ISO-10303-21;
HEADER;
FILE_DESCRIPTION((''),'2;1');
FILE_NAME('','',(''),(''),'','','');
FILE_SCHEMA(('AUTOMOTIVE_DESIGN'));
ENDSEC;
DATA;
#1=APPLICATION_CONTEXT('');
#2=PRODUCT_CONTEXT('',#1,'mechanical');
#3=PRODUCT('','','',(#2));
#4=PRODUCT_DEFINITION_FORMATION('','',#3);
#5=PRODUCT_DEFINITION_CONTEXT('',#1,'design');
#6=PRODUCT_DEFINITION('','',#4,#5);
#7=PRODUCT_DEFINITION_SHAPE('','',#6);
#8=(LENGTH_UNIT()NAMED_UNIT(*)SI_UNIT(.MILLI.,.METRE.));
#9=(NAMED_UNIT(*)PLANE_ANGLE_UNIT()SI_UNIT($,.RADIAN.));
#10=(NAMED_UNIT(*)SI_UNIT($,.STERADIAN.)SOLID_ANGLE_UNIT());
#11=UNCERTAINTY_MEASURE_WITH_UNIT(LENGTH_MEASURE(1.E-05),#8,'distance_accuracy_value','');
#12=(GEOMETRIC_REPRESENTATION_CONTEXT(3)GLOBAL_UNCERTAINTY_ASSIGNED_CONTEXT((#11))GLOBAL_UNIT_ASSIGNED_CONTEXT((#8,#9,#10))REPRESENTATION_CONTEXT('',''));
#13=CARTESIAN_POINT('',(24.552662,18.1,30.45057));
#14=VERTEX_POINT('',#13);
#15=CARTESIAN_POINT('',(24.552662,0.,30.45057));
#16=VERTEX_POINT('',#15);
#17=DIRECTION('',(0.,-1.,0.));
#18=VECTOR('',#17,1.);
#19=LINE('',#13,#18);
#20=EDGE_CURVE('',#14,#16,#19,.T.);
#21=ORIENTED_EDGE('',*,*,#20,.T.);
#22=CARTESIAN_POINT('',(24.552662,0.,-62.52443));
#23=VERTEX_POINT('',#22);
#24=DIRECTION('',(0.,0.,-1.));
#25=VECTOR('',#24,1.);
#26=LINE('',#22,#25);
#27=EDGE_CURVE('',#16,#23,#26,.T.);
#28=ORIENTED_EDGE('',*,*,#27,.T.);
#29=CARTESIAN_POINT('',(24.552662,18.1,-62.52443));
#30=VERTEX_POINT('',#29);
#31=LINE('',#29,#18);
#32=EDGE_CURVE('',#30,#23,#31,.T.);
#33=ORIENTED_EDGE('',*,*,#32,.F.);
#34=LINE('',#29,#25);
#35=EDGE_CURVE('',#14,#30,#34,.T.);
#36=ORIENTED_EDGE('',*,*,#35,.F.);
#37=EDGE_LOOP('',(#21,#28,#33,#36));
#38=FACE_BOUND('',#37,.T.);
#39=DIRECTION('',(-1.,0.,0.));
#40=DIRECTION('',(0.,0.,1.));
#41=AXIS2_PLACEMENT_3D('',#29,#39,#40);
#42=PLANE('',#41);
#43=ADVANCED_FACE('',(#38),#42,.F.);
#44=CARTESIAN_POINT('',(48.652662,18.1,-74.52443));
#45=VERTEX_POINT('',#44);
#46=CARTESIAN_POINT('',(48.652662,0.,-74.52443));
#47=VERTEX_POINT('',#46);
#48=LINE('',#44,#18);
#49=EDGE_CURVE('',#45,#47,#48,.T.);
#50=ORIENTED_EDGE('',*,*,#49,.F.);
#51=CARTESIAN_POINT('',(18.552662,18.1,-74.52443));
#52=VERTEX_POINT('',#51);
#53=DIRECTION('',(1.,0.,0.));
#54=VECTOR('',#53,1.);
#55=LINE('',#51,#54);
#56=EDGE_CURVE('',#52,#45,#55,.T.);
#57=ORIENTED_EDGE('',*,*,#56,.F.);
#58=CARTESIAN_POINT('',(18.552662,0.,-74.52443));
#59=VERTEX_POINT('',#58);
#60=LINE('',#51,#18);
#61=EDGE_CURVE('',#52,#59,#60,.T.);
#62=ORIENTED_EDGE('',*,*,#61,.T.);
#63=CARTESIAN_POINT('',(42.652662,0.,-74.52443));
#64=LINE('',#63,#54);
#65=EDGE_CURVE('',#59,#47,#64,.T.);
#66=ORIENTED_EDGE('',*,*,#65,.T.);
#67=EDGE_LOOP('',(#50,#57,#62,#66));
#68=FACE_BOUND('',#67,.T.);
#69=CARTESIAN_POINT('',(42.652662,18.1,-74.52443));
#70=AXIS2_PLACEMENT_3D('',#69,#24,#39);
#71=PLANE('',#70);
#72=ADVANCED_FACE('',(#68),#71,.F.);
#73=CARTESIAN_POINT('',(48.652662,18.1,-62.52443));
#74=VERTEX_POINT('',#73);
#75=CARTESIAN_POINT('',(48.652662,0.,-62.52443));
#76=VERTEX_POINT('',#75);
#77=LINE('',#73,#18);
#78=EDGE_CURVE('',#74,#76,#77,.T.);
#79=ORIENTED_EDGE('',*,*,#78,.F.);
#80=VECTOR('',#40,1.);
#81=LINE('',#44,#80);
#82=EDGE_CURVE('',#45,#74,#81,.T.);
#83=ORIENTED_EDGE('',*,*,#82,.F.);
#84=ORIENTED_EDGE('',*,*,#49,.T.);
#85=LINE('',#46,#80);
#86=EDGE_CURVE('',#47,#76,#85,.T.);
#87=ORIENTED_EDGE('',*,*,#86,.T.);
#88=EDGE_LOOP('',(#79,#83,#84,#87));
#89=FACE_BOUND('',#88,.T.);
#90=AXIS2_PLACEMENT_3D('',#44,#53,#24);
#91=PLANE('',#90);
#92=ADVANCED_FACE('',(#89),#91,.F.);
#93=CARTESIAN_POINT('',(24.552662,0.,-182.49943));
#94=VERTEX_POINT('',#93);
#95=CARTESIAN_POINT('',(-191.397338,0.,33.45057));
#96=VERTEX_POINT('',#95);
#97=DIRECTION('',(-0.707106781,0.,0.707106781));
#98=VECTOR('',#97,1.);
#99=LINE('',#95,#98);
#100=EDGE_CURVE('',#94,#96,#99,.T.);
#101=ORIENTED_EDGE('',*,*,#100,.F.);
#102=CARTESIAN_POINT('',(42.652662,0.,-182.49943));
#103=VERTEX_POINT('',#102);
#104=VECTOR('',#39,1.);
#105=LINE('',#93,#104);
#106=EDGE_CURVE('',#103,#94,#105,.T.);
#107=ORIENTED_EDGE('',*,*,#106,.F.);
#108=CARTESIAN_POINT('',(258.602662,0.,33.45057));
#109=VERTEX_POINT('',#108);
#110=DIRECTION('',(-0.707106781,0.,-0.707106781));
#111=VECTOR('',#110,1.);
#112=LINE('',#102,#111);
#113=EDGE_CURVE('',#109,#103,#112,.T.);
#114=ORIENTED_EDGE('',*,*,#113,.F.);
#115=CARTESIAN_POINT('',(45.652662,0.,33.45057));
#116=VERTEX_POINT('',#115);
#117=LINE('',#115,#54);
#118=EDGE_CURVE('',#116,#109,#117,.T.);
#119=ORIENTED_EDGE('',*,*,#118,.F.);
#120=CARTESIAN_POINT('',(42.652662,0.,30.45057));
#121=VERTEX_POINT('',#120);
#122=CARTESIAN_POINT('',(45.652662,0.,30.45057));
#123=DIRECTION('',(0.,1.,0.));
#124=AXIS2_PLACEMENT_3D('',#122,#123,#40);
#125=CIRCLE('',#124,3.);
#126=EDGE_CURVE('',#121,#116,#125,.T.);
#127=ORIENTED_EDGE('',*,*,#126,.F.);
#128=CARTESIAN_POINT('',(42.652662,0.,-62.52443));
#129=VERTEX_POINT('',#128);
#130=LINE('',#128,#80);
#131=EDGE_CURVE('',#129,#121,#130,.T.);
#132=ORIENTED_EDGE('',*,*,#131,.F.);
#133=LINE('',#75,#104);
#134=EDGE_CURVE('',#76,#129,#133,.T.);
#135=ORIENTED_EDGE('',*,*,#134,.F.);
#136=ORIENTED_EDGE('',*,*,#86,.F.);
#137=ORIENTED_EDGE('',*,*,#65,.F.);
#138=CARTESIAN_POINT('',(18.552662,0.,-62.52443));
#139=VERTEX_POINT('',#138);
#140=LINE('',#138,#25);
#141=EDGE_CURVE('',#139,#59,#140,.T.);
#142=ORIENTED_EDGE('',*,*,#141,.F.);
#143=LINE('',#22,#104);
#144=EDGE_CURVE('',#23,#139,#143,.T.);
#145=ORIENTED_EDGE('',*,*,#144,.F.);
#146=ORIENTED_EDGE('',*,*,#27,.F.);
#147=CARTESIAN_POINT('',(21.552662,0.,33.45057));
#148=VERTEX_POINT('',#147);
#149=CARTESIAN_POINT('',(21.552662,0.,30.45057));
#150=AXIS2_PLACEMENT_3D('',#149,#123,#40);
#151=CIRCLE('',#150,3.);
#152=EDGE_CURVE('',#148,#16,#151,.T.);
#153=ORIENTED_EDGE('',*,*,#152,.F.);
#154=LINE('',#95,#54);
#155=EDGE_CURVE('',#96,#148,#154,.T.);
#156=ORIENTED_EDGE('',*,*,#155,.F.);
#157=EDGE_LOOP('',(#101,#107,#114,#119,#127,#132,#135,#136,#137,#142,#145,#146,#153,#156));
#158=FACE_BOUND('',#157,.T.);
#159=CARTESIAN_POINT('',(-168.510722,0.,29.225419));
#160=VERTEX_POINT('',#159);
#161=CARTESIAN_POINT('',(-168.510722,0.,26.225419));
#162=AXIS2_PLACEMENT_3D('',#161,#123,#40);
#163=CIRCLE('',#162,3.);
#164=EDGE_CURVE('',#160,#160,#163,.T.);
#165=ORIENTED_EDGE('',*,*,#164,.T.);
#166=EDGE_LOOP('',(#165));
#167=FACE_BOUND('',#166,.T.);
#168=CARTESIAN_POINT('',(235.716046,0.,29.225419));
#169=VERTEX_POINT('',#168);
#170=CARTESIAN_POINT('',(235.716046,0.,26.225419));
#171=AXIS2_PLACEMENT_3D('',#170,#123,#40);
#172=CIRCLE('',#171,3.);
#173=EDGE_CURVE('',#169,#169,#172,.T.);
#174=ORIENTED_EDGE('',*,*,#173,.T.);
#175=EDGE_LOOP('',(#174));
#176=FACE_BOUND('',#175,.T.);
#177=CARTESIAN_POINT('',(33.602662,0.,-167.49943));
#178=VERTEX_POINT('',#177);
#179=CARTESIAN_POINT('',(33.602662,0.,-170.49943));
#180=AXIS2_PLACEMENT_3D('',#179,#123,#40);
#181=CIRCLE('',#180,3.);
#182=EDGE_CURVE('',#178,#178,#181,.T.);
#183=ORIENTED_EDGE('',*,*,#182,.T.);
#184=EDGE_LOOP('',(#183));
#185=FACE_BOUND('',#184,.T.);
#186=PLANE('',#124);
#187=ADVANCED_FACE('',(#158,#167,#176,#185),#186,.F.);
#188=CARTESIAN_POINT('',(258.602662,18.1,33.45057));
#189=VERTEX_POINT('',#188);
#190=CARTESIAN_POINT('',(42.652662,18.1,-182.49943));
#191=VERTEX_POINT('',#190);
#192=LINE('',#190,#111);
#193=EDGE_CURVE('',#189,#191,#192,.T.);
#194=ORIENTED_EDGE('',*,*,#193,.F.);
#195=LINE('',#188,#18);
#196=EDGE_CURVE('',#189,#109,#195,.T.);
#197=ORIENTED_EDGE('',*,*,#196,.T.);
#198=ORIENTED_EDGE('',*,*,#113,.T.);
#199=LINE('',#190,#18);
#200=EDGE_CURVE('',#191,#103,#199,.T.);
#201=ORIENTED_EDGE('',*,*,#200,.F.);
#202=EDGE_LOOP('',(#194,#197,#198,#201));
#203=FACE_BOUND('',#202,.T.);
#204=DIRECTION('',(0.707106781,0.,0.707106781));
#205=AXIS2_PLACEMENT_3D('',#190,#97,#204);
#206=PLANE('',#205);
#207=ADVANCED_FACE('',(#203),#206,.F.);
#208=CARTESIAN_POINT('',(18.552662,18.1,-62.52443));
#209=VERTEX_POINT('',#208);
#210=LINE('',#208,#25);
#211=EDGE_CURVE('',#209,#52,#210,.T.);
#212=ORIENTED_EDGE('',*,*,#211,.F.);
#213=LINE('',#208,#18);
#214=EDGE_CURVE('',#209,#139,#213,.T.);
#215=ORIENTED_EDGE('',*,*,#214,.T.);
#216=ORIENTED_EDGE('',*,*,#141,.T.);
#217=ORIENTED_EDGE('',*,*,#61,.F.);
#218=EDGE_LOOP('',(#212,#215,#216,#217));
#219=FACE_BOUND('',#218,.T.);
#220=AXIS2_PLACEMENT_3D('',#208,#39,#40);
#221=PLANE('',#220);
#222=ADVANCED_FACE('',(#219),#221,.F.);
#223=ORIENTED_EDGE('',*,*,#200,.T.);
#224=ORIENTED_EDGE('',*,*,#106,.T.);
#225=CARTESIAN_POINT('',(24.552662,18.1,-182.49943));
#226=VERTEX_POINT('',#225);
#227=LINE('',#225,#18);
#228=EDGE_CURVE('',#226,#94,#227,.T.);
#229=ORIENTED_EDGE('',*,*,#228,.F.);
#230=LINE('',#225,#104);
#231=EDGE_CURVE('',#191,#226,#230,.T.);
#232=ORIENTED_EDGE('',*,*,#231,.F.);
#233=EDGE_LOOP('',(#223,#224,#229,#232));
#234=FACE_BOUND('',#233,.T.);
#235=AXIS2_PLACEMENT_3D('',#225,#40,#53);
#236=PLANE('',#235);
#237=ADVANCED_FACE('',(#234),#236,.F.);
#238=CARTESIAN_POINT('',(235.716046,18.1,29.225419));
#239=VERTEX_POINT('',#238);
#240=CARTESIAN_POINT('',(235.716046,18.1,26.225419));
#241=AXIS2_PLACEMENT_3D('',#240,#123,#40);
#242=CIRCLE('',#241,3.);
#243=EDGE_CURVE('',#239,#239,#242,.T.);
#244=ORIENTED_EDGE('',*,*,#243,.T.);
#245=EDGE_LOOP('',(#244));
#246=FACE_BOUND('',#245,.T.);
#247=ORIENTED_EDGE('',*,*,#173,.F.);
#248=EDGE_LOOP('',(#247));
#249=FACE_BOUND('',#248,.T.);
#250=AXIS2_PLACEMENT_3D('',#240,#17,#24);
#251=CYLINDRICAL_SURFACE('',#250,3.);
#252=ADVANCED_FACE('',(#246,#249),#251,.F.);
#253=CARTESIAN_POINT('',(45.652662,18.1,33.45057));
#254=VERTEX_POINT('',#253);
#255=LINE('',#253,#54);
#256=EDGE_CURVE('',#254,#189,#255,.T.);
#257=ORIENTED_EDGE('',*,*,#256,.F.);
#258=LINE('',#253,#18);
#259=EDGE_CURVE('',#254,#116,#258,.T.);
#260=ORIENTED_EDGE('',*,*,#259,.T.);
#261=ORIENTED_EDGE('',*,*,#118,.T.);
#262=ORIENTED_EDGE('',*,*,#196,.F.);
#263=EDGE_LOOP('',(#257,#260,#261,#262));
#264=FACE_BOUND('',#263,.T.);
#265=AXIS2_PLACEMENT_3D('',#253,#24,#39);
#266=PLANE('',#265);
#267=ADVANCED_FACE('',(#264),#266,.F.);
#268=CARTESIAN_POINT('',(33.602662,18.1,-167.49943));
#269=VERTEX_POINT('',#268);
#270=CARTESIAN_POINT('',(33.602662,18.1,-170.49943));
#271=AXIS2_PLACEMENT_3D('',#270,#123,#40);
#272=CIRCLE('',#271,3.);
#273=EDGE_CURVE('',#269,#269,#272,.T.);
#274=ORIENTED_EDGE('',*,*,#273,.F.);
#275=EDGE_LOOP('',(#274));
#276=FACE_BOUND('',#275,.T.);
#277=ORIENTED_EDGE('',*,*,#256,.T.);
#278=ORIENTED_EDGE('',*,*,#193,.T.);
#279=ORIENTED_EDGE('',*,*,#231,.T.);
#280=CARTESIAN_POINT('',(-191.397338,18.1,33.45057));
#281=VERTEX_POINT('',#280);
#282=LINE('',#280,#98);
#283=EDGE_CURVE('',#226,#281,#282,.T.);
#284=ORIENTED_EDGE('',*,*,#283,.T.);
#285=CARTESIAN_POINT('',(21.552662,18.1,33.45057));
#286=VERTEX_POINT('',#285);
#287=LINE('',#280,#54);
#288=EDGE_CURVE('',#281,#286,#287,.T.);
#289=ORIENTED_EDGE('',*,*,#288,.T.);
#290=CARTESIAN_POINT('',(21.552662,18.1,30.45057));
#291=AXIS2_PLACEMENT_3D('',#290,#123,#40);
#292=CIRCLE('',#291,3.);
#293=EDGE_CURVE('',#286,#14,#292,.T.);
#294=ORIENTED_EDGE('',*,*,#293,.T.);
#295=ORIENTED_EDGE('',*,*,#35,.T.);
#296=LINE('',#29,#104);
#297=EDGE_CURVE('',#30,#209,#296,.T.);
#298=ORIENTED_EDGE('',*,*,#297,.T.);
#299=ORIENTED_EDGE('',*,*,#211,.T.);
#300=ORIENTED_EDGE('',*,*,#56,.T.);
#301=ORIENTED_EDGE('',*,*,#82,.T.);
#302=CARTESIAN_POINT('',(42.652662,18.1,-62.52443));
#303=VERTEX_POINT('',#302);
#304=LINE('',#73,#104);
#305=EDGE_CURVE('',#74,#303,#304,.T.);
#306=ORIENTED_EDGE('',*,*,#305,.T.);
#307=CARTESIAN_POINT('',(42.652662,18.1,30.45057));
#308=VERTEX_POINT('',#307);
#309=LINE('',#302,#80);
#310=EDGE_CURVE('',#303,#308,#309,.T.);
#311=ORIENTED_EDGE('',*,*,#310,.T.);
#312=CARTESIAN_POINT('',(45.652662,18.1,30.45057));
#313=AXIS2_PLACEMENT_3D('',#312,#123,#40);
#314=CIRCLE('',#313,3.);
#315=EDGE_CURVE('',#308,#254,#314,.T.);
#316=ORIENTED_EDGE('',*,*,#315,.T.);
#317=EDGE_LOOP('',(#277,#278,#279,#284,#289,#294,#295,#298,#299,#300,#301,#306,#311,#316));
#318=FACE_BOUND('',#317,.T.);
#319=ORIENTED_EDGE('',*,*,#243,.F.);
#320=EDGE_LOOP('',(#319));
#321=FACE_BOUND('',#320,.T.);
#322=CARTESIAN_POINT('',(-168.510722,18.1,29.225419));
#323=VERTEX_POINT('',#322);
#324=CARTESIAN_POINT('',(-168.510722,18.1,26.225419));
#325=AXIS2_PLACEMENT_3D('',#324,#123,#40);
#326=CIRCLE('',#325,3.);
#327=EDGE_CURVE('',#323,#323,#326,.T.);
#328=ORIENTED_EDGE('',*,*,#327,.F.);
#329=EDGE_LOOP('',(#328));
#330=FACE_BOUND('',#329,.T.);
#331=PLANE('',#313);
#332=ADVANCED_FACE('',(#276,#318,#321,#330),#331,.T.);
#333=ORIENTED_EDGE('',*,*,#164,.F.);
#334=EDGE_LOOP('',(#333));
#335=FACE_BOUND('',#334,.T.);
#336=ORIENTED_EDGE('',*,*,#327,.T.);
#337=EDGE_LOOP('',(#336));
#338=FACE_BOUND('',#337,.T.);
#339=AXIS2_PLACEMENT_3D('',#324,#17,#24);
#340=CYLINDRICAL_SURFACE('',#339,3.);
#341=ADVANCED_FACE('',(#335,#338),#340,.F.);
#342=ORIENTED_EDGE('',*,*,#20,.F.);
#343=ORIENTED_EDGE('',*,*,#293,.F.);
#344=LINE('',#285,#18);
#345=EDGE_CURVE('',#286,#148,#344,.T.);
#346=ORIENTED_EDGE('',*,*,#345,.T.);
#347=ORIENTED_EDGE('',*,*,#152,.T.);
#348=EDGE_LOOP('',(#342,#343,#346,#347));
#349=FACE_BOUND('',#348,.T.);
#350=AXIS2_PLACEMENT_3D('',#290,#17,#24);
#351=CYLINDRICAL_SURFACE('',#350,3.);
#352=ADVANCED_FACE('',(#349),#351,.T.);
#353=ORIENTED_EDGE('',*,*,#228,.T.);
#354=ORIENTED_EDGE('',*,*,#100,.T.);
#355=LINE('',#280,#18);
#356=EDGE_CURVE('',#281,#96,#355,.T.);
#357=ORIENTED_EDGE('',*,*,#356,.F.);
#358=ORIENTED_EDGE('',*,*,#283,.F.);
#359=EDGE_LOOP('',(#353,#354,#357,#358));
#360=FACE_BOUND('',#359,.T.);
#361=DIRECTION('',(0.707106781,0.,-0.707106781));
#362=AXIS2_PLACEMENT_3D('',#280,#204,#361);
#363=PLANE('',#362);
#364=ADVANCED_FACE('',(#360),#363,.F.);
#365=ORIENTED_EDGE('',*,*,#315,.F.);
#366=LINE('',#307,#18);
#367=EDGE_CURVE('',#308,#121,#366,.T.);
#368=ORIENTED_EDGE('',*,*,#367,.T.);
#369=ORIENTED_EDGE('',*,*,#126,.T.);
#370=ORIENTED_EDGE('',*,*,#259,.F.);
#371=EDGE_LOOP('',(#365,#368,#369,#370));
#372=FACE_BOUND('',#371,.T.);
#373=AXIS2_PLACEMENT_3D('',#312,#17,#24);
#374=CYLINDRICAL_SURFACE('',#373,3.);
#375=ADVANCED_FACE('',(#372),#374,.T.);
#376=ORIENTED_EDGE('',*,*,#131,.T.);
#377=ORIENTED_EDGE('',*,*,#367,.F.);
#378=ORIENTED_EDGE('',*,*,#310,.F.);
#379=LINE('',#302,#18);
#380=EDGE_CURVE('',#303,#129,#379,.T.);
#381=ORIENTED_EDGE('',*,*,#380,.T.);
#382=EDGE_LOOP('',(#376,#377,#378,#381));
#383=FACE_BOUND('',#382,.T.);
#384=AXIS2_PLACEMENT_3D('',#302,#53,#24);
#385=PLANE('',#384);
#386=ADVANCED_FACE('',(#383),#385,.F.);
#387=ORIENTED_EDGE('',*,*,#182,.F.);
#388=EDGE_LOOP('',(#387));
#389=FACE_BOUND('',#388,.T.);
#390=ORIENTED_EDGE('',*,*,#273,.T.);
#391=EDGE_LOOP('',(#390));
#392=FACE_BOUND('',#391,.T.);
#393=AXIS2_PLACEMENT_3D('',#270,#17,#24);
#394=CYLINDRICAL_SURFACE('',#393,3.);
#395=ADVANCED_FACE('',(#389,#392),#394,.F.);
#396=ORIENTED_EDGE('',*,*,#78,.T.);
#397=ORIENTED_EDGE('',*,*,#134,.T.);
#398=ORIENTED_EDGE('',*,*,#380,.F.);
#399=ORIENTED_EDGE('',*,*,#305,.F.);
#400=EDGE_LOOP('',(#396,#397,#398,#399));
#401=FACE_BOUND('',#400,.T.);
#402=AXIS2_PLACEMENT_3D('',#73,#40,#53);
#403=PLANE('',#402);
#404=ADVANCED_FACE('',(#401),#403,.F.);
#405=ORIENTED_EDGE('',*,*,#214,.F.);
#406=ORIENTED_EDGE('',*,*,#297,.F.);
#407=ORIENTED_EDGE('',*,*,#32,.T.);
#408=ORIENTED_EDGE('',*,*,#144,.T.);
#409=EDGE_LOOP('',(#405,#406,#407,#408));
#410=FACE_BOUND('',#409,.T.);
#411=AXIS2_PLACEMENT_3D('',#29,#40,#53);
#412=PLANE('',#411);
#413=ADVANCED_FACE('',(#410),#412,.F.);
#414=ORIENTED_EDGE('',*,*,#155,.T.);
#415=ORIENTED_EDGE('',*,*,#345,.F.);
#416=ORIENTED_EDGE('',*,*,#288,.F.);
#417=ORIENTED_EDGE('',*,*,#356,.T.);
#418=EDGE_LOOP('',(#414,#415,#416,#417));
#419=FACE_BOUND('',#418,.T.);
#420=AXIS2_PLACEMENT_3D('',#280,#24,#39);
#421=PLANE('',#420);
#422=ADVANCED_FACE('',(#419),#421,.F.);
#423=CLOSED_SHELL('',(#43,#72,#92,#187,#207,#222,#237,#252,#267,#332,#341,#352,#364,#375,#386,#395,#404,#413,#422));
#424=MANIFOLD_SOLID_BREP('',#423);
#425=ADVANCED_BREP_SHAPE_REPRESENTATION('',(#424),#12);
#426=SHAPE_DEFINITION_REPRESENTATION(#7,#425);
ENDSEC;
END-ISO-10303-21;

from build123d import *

# Parameters (mm, degrees)
SKETCH2_R           = 3
BOSS_EXTRUDE1_DEPTH = 18.1


with BuildPart() as part:
    # Sketch2 → Boss-Extrude1 (new body)
    with BuildSketch(Plane(origin=(0, 0, 0), x_dir=(1, 0, 0), z_dir=(0, 1, 0))):
        with BuildLine():
            Line((-191.397338403, -33.450570342), (21.552661597, -33.450570342))
            ThreePointArc((21.552661597, -33.450570342), (23.673981941, -32.571890686), (24.552661597, -30.450570342))
            Line((24.552661597, -30.450570342), (24.552661597, 62.524429658))
            Line((24.552661597, 62.524429658), (18.552661597, 62.524429658))
            Line((18.552661597, 62.524429658), (18.552661597, 74.524429658))
            Line((18.552661597, 74.524429658), (24.552661597, 74.524429658))
            Line((24.552661597, 74.524429658), (42.652661597, 74.524429658))
            Line((42.652661597, 74.524429658), (48.652661597, 74.524429658))
            Line((48.652661597, 74.524429658), (48.652661597, 62.524429658))
            Line((48.652661597, 62.524429658), (42.652661597, 62.524429658))
            Line((42.652661597, 62.524429658), (42.652661597, -30.450570342))
            ThreePointArc((42.652661597, -30.450570342), (43.531341253, -32.571890686), (45.652661597, -33.450570342))
            Line((45.652661597, -33.450570342), (258.602661597, -33.450570342))
            Line((258.602661597, -33.450570342), (42.652661597, 182.499429658))
            Line((42.652661597, 182.499429658), (24.552661597, 182.499429658))
            Line((24.552661597, 182.499429658), (-191.397338403, -33.450570342))
        make_face()
        with Locations((33.602661597, 170.499429658)):
            Circle(SKETCH2_R, mode=Mode.SUBTRACT)
        with Locations((235.716045652, -26.225419091)):
            Circle(SKETCH2_R, mode=Mode.SUBTRACT)
        with Locations((-168.510722458, -26.225419091)):
            Circle(SKETCH2_R, mode=Mode.SUBTRACT)
    extrude(amount=BOSS_EXTRUDE1_DEPTH)


solid = part.part
